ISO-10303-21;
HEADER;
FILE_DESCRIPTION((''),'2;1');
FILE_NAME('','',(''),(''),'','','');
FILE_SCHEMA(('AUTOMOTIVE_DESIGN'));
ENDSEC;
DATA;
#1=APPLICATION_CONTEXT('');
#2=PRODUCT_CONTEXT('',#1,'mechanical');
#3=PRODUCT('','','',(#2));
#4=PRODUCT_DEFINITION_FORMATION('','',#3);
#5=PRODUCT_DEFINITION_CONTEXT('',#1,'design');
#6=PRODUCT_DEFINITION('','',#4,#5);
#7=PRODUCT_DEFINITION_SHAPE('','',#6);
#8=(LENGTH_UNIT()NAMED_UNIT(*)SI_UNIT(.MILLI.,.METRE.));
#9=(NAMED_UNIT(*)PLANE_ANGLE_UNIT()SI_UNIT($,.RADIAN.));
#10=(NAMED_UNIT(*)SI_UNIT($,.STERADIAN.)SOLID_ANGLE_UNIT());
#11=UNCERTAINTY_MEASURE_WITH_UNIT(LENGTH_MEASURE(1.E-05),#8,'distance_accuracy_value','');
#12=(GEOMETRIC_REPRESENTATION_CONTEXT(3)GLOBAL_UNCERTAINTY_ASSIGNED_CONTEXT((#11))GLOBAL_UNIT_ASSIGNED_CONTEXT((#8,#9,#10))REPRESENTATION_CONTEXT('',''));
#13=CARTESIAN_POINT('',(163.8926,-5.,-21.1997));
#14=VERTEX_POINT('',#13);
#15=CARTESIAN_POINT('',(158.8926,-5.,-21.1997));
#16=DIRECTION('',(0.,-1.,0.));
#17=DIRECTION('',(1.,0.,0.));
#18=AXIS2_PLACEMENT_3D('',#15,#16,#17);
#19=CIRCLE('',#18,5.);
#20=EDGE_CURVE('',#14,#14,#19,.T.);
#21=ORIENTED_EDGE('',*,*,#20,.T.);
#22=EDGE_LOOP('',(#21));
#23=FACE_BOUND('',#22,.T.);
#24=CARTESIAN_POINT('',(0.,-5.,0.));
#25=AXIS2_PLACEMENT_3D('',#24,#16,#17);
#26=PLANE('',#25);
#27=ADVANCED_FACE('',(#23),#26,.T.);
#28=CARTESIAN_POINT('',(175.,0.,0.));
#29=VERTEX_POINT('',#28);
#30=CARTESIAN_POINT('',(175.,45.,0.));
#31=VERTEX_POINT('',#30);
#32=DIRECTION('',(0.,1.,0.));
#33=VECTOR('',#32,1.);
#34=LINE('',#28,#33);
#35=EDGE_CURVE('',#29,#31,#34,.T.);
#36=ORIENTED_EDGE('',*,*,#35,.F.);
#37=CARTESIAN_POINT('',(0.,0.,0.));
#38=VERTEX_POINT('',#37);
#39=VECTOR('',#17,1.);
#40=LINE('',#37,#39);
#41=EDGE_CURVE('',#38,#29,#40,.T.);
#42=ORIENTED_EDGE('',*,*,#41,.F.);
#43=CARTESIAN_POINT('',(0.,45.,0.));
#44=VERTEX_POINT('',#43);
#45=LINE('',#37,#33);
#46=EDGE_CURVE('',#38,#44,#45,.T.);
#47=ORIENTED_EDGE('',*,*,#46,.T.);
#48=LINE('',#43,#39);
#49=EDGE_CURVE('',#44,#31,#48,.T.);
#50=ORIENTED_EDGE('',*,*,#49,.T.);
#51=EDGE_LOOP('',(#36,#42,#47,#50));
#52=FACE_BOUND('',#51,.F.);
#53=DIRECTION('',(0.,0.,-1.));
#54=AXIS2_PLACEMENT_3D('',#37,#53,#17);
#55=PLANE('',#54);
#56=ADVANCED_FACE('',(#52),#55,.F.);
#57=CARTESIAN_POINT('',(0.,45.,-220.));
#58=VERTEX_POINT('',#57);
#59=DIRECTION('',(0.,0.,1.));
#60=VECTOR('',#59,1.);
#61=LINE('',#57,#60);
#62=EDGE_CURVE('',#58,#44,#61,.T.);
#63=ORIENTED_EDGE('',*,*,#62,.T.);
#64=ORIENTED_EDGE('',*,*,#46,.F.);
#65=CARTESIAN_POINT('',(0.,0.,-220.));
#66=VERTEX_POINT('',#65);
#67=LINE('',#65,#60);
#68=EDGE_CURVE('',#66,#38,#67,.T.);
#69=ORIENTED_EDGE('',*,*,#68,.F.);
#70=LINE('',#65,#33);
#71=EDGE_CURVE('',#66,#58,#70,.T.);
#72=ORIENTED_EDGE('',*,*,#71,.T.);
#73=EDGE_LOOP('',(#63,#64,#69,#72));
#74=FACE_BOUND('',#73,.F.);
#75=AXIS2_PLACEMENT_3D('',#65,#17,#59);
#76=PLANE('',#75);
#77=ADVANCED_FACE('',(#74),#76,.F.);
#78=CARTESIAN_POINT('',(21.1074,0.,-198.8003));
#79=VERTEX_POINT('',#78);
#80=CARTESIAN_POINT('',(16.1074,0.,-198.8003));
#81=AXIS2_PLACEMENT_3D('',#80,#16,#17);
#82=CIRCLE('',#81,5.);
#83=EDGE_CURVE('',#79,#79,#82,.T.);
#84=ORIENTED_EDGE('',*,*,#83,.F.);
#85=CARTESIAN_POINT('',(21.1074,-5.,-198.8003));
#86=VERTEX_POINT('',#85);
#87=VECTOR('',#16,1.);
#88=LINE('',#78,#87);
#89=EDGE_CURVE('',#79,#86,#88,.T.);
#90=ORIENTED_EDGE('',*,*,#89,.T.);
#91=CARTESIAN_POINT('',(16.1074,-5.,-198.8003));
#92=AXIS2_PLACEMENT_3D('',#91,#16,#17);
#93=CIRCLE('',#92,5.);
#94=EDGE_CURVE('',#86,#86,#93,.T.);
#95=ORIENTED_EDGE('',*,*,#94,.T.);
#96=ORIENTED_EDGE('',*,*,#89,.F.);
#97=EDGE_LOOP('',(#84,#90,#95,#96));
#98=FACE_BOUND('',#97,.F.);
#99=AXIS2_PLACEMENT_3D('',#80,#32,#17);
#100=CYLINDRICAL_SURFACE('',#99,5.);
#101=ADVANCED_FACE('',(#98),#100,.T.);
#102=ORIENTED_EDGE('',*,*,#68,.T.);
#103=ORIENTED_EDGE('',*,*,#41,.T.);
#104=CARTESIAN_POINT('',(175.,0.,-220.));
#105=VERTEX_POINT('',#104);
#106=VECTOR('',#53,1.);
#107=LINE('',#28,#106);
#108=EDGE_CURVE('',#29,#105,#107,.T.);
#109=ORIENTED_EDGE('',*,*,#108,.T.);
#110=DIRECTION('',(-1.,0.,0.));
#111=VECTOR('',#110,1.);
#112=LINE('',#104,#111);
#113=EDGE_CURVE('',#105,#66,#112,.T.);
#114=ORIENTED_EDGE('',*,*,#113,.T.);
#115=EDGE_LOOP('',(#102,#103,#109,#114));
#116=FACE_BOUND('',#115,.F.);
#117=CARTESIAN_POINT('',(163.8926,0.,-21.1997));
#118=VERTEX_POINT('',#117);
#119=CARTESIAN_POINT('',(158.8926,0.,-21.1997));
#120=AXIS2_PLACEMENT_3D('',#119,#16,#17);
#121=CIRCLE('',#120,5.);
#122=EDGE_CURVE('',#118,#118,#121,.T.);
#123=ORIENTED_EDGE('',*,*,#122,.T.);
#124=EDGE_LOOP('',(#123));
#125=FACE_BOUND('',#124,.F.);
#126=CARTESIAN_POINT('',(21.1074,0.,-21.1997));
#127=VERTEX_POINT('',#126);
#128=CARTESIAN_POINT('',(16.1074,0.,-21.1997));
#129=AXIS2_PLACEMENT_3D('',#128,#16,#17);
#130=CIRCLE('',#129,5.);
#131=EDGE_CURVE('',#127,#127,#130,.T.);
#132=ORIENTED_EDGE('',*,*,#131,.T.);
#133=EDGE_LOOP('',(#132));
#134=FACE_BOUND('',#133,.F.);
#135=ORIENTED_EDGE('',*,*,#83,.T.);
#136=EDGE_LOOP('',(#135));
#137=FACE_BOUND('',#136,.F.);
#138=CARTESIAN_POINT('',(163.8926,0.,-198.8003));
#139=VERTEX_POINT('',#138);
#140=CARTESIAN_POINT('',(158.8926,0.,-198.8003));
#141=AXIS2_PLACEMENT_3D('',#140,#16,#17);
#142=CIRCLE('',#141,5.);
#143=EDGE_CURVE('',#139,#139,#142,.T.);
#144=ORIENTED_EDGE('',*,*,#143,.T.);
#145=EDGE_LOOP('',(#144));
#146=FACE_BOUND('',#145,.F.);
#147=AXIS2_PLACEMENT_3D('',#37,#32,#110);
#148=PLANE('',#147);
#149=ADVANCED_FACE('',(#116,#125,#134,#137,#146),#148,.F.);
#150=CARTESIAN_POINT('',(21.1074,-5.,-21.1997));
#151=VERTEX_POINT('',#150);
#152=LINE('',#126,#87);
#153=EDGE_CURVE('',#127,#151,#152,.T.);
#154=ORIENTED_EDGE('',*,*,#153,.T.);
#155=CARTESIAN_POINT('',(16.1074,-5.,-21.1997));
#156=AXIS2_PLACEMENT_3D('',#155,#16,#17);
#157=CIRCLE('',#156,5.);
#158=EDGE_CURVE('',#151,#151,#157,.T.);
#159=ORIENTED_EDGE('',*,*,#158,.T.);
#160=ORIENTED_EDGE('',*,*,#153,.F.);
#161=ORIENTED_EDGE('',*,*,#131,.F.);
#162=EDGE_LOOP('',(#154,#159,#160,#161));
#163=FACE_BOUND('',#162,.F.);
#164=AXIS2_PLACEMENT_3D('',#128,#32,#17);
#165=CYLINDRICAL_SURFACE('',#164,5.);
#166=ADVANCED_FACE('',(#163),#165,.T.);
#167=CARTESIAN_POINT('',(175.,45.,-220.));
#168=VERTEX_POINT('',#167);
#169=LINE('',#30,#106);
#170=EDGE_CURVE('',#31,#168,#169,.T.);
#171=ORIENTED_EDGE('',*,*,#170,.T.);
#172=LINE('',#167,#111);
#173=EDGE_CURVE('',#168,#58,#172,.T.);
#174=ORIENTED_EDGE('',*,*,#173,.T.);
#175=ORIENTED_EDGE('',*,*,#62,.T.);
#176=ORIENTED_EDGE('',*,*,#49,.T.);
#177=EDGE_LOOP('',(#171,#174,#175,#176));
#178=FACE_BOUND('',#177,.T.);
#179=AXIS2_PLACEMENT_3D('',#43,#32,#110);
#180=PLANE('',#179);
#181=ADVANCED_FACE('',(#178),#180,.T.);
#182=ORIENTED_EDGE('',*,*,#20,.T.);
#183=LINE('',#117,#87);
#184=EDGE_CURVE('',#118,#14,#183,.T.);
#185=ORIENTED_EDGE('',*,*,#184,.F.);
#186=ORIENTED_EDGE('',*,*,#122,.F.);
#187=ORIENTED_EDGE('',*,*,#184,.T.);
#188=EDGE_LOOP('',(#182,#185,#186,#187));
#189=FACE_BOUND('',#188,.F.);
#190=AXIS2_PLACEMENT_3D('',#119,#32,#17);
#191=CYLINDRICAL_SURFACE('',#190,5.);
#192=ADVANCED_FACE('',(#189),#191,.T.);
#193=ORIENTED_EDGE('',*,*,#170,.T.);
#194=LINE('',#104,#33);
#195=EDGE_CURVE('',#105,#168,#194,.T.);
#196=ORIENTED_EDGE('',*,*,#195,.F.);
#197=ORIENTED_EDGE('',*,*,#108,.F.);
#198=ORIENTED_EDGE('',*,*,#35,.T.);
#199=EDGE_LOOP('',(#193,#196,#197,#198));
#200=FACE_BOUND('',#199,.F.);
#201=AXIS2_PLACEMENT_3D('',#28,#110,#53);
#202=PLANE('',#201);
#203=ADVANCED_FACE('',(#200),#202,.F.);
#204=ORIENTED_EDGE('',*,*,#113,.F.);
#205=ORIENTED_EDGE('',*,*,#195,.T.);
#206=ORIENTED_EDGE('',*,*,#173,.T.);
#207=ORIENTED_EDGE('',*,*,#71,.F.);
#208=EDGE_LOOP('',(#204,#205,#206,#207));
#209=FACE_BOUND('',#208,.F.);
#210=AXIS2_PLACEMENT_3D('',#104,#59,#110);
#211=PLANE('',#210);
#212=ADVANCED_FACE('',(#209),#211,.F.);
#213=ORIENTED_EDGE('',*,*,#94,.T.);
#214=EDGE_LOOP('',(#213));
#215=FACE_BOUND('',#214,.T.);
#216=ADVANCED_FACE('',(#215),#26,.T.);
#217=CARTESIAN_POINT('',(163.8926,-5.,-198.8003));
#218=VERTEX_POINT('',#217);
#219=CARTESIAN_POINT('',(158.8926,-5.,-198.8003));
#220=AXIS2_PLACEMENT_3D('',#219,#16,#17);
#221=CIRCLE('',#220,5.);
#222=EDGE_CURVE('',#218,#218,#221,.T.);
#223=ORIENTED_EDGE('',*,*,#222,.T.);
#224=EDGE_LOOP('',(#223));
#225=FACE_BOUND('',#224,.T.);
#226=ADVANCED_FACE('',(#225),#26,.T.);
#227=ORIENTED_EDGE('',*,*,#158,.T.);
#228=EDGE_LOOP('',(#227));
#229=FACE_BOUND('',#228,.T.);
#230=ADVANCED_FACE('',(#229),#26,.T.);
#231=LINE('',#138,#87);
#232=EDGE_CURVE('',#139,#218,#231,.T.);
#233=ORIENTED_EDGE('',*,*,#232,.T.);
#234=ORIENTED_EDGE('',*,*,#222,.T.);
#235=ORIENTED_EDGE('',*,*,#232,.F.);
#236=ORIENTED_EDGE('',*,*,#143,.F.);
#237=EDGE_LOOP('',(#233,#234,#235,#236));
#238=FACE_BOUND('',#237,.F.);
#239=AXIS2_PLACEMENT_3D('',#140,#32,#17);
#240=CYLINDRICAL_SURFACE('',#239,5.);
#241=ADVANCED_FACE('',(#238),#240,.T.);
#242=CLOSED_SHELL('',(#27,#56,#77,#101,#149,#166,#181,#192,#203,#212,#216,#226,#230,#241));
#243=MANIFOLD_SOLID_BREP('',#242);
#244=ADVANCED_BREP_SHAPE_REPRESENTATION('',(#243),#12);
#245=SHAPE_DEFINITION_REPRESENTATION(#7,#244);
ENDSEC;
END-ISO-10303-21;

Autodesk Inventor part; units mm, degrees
ref_plane "YZ Plane" through (0, 0, 0) normal (1, 0, 0) x (0, 1, 0)
ref_plane "XZ Plane" through (0, 0, 0) normal (0, 1, 0) x (-1, 0, 0)
ref_plane "XY Plane" through (0, 0, 0) normal (0, 0, 1) x (1, 0, 0)
sketch "Sketch1" plane through (0, 0, 0) normal (0, 1, 0) x (-1, 0, 0)
  line L0 (0, 0) -> (-175, 0)
  line L1 (-175, 0) -> (-175, -220)
  line L2 (-175, -220) -> (0, -220)
  line L3 (0, -220) -> (0, 0)
  dimension "d0" = 175
  dimension "d1" = 220
extrude "Extrusion1" add sketch "Sketch1" along normal blind 45
sketch "Sketch2" plane through (0, 0, 0) normal (0, -1, 0) x (1, 0, 0)
  line L0 (175, 0) -> (175, -220) construction
  line L1 (175, -110) -> (0, -110) construction
  line L2 (0, -220) -> (0, 0) projected
  line L3 (16.1074, -21.1997) -> (158.8926, -21.1997) construction
  line L4 (158.8926, -21.1997) -> (158.8926, -198.8003) construction
  line L5 (158.8926, -198.8003) -> (16.1074, -198.8003) construction
  line L6 (16.1074, -198.8003) -> (16.1074, -21.1997) construction
  line L7 (16.1074, -21.1997) -> (158.8926, -198.8003) construction
  line L8 (158.8926, -21.1997) -> (16.1074, -198.8003) construction
  circle A0 centre (158.8926, -21.1997) radius 5
  circle A1 centre (158.8926, -198.8003) radius 5
  circle A2 centre (16.1074, -198.8003) radius 5
  circle A3 centre (16.1074, -21.1997) radius 5
  point P0 (87.5, -110)
  dimension "d4" = 10
extrude "Extrusion2" add sketch "Sketch2" along normal blind 5
properties part number "SCANLAB-SNZ0045937"
